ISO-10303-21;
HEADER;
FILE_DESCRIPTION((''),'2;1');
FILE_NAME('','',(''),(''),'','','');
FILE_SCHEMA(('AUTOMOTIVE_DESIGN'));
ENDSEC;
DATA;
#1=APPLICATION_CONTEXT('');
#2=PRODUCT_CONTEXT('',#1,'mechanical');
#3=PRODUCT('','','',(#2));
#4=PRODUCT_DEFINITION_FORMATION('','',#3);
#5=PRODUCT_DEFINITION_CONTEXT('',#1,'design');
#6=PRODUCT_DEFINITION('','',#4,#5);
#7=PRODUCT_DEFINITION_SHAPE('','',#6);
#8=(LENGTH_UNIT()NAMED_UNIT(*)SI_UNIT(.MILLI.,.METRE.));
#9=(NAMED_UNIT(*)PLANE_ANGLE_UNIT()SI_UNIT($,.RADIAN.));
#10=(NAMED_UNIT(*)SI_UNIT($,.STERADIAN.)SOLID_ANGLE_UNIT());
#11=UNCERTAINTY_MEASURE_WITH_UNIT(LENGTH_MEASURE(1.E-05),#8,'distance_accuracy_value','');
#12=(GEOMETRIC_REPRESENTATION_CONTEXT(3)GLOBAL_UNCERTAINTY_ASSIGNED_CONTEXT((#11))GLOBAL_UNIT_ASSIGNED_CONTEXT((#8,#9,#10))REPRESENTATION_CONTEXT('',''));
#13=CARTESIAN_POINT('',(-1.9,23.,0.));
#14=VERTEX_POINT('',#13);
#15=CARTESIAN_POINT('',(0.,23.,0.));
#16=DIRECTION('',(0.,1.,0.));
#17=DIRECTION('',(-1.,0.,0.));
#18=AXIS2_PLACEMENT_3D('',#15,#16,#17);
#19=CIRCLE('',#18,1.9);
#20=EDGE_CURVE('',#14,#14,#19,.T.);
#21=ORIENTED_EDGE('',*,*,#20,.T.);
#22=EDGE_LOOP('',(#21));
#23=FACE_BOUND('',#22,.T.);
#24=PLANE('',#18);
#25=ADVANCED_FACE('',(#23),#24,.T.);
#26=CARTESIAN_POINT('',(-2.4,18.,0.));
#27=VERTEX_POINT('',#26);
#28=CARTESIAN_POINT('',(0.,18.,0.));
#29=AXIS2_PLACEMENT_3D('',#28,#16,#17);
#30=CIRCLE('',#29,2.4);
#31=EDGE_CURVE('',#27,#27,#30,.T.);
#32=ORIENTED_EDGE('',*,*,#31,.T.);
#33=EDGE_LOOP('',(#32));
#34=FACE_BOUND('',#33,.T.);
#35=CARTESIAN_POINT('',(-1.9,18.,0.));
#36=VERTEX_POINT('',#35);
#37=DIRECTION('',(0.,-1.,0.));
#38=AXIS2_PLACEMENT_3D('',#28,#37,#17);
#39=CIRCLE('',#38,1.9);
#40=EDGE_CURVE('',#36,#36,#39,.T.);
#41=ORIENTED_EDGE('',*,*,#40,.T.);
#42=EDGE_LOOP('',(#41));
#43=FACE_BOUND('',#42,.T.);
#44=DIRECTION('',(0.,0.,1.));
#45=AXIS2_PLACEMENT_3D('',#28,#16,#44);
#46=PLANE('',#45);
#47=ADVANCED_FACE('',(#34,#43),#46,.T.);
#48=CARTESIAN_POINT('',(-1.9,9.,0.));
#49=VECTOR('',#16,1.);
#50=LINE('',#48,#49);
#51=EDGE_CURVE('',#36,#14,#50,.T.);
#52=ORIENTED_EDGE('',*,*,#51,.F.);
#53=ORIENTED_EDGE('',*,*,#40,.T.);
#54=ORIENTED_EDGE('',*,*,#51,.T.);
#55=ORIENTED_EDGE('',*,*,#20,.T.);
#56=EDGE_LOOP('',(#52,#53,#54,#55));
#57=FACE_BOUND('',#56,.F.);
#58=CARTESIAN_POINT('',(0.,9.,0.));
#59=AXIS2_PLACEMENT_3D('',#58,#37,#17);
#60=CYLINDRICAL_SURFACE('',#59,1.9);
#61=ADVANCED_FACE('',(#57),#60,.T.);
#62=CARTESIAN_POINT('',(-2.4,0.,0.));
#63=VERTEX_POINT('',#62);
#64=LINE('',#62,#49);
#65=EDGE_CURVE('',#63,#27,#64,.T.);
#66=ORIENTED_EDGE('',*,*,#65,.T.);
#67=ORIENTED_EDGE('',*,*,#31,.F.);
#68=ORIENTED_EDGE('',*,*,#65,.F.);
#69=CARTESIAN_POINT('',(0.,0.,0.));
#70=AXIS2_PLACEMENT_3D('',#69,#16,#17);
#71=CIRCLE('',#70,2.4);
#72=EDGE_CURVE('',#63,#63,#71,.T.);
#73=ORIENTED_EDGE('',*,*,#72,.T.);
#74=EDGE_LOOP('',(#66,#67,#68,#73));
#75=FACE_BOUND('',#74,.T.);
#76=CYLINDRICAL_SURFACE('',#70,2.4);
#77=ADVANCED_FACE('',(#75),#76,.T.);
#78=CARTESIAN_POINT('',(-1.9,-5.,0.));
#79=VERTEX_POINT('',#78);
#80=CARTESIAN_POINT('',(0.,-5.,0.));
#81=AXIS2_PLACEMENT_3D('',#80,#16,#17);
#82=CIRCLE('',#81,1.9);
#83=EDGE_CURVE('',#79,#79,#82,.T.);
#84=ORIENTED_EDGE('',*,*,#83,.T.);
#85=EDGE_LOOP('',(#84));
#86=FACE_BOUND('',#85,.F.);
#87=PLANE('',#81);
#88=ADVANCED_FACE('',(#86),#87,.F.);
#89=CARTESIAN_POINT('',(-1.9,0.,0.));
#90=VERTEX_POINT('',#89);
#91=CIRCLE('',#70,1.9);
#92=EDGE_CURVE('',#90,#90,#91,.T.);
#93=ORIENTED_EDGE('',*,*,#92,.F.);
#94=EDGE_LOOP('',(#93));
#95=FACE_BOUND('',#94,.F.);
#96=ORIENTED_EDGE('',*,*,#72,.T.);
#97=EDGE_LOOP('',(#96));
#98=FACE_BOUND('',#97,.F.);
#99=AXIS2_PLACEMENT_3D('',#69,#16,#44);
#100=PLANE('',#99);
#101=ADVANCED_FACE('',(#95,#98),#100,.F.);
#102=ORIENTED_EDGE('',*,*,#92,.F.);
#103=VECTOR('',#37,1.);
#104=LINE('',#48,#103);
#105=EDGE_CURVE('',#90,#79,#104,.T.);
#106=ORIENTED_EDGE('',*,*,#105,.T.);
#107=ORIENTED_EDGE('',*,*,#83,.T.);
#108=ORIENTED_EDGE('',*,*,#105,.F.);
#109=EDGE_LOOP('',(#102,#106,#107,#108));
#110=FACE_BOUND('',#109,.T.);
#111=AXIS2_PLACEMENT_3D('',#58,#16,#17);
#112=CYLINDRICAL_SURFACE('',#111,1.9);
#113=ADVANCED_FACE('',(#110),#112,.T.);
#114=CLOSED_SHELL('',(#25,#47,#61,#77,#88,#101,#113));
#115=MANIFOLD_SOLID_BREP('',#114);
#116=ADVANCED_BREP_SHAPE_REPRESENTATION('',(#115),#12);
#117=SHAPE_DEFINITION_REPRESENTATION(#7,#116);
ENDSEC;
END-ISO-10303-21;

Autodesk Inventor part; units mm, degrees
ref_plane "YZ Plane" through (0, 0, 0) normal (1, 0, 0) x (0, 1, 0)
ref_plane "XY Plane" through (0, 0, 0) normal (0, 0, 1) x (1, 0, 0)
sketch "Boceto1" plane through (0, 0, 0) normal (1, 0, 0) x (0, 1, 0)
  line L0 (0, 0) -> (18, 0)
  line L1 (0, 0) -> (0, -4.8)
  line L2 (18, 0) -> (23, 0)
  line L3 (18, 0) -> (18, -3.8)
  line L4 (0, 0) -> (-5, 0)
  line L5 (-5, 0) -> (-5, 3.8)
  dimension "d0" = 18
  dimension "d1" = 4.8
  dimension "d2" = 5
  dimension "d4" = 3.8
  dimension "d5" = 5
  dimension "d6" = 3.8
sketch "Boceto4" plane through (0, 0, 0) normal (0, 1, 0) x (-1, 0, 0)
  circle A0 centre (0, 0) radius 2.4
  dimension "d10" = 4.8
sweep "Barrido1" add profiles "Boceto4" path "Boceto1" path curves L0
ref_plane "Plano de trabajo1" through (0, 9, 0) normal (0, 1, 0) x (-1, 0, 0)
sketch "Boceto5" plane through (0, 9, 0) normal (0, 1, 0) x (-1, 0, 0)
  circle A0 centre (0, 0) radius 1.9
  dimension "d14" = 3.8
extrude "Extrusión1" add sketch "Boceto5" along normal mid plane 28
